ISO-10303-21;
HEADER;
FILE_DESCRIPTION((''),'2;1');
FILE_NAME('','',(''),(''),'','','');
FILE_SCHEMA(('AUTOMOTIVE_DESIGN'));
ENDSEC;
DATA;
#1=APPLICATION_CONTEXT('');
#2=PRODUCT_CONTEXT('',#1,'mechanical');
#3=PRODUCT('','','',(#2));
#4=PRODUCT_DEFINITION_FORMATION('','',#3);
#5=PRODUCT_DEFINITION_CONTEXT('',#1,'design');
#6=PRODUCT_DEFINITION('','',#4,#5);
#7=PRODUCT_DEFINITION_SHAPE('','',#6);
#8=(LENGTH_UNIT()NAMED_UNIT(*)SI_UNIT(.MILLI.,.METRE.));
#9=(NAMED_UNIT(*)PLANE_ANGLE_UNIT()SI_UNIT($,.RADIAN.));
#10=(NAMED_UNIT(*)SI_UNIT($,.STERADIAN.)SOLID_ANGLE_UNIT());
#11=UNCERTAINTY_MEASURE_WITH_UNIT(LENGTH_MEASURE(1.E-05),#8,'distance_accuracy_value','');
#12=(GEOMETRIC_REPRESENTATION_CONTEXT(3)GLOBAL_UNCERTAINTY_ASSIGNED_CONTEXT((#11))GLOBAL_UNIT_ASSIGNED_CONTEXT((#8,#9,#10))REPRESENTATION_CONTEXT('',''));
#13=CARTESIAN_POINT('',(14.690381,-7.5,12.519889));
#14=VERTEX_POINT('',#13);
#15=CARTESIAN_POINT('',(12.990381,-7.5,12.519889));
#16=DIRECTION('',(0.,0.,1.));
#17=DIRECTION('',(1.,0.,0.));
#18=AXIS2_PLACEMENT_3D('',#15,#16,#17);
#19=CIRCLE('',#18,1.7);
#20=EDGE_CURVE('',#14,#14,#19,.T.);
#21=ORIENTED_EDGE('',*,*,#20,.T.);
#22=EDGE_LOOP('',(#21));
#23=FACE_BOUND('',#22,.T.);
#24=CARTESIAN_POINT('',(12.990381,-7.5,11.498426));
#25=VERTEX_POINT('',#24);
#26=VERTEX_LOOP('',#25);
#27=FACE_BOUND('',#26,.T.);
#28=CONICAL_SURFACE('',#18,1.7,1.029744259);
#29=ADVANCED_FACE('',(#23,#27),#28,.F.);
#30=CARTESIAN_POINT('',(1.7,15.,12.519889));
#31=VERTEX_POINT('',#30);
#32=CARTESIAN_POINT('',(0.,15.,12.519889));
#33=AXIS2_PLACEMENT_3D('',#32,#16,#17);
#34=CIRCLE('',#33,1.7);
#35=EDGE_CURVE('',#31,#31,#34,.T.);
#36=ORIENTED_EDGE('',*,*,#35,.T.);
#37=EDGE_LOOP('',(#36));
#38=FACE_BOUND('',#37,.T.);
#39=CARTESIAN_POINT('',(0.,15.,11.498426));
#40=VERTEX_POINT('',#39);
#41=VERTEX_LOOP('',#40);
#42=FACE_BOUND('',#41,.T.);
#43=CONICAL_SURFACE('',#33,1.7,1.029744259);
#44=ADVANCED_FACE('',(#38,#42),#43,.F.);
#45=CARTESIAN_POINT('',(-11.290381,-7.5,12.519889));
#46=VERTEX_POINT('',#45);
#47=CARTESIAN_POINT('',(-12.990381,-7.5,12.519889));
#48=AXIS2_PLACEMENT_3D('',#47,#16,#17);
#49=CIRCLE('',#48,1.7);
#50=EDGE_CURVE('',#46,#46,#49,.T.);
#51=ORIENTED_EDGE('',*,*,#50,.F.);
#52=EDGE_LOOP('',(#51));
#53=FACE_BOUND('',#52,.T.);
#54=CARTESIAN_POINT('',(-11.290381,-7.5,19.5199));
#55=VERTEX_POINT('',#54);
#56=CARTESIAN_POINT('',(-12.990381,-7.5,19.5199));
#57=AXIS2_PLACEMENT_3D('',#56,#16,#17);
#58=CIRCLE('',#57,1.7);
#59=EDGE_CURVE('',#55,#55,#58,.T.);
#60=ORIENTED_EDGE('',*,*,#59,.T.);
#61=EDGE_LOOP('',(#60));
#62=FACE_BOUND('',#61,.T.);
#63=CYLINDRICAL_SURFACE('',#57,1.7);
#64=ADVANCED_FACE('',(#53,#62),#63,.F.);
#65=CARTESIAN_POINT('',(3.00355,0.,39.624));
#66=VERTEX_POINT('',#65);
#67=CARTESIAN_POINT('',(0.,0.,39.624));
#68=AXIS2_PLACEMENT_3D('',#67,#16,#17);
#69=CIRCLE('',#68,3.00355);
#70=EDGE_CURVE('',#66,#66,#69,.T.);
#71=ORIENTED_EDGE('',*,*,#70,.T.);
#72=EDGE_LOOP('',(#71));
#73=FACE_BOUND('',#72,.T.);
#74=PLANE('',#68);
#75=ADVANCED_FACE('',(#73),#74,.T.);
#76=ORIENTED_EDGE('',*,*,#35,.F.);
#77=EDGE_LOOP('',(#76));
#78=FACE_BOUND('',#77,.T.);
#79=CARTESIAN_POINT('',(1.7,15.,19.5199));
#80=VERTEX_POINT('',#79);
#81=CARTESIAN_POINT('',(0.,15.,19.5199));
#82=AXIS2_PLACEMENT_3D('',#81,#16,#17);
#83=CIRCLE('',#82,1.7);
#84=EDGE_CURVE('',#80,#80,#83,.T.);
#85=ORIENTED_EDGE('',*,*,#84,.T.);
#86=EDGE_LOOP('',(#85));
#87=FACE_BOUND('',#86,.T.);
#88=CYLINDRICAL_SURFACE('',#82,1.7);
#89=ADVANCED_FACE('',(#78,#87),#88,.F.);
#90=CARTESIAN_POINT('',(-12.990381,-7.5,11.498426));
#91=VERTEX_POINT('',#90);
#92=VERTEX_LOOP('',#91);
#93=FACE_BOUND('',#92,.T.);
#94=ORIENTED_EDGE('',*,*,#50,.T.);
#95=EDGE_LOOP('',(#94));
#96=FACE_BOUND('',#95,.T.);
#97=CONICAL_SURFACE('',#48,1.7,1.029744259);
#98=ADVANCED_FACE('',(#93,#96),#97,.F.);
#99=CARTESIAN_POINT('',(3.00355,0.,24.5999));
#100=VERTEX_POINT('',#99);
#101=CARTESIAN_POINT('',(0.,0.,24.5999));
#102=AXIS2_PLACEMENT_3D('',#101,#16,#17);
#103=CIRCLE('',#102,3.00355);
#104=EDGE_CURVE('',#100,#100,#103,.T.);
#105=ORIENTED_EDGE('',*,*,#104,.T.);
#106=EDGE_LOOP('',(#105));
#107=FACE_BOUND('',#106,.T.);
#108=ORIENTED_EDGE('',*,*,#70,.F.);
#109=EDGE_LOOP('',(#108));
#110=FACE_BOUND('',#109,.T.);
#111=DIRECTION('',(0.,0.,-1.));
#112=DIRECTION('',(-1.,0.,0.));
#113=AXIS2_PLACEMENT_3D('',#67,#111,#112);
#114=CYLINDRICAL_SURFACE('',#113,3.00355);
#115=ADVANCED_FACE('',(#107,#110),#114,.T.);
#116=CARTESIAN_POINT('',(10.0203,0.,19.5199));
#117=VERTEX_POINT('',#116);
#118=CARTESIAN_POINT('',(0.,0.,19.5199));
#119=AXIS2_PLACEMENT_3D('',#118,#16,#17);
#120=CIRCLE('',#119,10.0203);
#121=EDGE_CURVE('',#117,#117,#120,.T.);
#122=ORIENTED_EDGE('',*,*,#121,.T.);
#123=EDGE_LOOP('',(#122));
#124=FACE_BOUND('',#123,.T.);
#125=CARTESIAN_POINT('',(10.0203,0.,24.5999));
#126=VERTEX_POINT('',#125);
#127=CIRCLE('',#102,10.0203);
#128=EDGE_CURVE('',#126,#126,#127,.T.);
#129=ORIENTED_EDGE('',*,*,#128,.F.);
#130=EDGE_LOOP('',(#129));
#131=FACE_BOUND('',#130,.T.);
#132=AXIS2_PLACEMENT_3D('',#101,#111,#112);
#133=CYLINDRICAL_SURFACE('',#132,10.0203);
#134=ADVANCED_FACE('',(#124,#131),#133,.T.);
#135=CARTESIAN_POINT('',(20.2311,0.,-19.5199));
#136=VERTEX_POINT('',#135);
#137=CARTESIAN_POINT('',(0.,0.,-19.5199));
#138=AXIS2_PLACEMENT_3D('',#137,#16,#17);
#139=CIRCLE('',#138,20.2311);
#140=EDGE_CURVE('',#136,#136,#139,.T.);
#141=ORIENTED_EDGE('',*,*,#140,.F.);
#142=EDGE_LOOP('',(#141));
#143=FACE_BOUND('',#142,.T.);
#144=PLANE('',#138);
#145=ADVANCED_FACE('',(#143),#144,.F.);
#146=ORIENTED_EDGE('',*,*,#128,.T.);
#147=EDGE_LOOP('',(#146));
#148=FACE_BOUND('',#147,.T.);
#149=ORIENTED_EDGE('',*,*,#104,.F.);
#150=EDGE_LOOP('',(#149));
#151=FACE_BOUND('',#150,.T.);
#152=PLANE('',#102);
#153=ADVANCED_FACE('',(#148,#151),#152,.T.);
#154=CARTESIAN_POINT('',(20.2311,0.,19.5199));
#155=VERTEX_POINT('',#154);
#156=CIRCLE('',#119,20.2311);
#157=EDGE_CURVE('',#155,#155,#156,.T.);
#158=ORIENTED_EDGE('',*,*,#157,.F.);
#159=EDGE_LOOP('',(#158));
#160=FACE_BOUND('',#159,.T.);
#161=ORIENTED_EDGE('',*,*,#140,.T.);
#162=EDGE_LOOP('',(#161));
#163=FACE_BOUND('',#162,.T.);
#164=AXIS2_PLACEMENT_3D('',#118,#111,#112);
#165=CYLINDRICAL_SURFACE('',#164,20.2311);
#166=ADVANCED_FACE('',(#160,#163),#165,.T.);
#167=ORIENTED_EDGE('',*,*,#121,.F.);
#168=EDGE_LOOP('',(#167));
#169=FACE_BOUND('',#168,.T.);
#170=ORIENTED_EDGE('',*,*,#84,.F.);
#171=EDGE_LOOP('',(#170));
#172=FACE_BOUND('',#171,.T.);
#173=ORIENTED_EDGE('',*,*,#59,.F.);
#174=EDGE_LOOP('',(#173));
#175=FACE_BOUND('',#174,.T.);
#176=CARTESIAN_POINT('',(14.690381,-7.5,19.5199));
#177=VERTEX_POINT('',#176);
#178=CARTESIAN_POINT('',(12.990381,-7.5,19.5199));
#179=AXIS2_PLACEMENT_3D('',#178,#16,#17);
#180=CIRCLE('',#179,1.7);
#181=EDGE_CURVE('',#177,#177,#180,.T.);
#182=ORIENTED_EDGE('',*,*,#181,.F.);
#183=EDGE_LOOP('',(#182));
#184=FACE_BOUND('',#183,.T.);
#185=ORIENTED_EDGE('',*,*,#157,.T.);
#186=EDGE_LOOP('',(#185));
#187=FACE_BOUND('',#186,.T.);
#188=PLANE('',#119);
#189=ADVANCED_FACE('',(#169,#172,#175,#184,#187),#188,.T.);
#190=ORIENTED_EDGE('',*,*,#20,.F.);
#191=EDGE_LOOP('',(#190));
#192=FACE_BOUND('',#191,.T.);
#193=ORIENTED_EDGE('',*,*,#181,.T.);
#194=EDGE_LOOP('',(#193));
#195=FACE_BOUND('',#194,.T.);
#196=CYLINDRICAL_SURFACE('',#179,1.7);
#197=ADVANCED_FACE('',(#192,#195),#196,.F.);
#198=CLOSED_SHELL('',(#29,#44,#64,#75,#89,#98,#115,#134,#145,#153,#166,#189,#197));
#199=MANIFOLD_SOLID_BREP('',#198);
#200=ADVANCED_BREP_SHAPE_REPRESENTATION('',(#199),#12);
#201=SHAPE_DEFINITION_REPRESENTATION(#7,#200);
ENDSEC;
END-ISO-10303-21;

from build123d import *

# Parameters (mm, degrees)
SKETCH1_R                = 20.2311
BOSS_EXTRUDE1_DEPTH      = 19.5199
SKETCH2_R                = 10.0203
BOSS_EXTRUDE2_DEPTH      = 5.08
SKETCH3_R                = 3.00355
BOSS_EXTRUDE3_DEPTH      = 15.0241
M3_CLEARANCE_HOLE1_D     = 3.4
M3_CLEARANCE_HOLE1_DEPTH = 7.0000114
M3_CLEARANCE_HOLE1_TIP   = 1.021463052


with BuildPart() as part:
    # Sketch1 → Boss-Extrude1 (new, symmetric)
    with BuildSketch(Plane.XY):
        Circle(SKETCH1_R)
    extrude(amount=BOSS_EXTRUDE1_DEPTH, both=True)

    # Sketch2 → Boss-Extrude2 (add)
    with BuildSketch(Plane.XY.offset(19.5199)):
        Circle(SKETCH2_R)
    extrude(amount=BOSS_EXTRUDE2_DEPTH)

    # Sketch3 → Boss-Extrude3 (add)
    with BuildSketch(Plane.XY.offset(24.5999)):
        Circle(SKETCH3_R)
    extrude(amount=BOSS_EXTRUDE3_DEPTH)

    # M3 Clearance Hole1
    with Locations(Plane.XY.offset(19.5199)):
        with Locations((0, 15), (12.990381057, -7.5), (-12.990381057, -7.5)):
            Hole(M3_CLEARANCE_HOLE1_D / 2, depth=M3_CLEARANCE_HOLE1_DEPTH)
            with Locations((0, 0, -(M3_CLEARANCE_HOLE1_DEPTH + M3_CLEARANCE_HOLE1_TIP / 2))):  # 118° drill point
                Cone(0, M3_CLEARANCE_HOLE1_D / 2, M3_CLEARANCE_HOLE1_TIP, mode=Mode.SUBTRACT)


solid = part.part
